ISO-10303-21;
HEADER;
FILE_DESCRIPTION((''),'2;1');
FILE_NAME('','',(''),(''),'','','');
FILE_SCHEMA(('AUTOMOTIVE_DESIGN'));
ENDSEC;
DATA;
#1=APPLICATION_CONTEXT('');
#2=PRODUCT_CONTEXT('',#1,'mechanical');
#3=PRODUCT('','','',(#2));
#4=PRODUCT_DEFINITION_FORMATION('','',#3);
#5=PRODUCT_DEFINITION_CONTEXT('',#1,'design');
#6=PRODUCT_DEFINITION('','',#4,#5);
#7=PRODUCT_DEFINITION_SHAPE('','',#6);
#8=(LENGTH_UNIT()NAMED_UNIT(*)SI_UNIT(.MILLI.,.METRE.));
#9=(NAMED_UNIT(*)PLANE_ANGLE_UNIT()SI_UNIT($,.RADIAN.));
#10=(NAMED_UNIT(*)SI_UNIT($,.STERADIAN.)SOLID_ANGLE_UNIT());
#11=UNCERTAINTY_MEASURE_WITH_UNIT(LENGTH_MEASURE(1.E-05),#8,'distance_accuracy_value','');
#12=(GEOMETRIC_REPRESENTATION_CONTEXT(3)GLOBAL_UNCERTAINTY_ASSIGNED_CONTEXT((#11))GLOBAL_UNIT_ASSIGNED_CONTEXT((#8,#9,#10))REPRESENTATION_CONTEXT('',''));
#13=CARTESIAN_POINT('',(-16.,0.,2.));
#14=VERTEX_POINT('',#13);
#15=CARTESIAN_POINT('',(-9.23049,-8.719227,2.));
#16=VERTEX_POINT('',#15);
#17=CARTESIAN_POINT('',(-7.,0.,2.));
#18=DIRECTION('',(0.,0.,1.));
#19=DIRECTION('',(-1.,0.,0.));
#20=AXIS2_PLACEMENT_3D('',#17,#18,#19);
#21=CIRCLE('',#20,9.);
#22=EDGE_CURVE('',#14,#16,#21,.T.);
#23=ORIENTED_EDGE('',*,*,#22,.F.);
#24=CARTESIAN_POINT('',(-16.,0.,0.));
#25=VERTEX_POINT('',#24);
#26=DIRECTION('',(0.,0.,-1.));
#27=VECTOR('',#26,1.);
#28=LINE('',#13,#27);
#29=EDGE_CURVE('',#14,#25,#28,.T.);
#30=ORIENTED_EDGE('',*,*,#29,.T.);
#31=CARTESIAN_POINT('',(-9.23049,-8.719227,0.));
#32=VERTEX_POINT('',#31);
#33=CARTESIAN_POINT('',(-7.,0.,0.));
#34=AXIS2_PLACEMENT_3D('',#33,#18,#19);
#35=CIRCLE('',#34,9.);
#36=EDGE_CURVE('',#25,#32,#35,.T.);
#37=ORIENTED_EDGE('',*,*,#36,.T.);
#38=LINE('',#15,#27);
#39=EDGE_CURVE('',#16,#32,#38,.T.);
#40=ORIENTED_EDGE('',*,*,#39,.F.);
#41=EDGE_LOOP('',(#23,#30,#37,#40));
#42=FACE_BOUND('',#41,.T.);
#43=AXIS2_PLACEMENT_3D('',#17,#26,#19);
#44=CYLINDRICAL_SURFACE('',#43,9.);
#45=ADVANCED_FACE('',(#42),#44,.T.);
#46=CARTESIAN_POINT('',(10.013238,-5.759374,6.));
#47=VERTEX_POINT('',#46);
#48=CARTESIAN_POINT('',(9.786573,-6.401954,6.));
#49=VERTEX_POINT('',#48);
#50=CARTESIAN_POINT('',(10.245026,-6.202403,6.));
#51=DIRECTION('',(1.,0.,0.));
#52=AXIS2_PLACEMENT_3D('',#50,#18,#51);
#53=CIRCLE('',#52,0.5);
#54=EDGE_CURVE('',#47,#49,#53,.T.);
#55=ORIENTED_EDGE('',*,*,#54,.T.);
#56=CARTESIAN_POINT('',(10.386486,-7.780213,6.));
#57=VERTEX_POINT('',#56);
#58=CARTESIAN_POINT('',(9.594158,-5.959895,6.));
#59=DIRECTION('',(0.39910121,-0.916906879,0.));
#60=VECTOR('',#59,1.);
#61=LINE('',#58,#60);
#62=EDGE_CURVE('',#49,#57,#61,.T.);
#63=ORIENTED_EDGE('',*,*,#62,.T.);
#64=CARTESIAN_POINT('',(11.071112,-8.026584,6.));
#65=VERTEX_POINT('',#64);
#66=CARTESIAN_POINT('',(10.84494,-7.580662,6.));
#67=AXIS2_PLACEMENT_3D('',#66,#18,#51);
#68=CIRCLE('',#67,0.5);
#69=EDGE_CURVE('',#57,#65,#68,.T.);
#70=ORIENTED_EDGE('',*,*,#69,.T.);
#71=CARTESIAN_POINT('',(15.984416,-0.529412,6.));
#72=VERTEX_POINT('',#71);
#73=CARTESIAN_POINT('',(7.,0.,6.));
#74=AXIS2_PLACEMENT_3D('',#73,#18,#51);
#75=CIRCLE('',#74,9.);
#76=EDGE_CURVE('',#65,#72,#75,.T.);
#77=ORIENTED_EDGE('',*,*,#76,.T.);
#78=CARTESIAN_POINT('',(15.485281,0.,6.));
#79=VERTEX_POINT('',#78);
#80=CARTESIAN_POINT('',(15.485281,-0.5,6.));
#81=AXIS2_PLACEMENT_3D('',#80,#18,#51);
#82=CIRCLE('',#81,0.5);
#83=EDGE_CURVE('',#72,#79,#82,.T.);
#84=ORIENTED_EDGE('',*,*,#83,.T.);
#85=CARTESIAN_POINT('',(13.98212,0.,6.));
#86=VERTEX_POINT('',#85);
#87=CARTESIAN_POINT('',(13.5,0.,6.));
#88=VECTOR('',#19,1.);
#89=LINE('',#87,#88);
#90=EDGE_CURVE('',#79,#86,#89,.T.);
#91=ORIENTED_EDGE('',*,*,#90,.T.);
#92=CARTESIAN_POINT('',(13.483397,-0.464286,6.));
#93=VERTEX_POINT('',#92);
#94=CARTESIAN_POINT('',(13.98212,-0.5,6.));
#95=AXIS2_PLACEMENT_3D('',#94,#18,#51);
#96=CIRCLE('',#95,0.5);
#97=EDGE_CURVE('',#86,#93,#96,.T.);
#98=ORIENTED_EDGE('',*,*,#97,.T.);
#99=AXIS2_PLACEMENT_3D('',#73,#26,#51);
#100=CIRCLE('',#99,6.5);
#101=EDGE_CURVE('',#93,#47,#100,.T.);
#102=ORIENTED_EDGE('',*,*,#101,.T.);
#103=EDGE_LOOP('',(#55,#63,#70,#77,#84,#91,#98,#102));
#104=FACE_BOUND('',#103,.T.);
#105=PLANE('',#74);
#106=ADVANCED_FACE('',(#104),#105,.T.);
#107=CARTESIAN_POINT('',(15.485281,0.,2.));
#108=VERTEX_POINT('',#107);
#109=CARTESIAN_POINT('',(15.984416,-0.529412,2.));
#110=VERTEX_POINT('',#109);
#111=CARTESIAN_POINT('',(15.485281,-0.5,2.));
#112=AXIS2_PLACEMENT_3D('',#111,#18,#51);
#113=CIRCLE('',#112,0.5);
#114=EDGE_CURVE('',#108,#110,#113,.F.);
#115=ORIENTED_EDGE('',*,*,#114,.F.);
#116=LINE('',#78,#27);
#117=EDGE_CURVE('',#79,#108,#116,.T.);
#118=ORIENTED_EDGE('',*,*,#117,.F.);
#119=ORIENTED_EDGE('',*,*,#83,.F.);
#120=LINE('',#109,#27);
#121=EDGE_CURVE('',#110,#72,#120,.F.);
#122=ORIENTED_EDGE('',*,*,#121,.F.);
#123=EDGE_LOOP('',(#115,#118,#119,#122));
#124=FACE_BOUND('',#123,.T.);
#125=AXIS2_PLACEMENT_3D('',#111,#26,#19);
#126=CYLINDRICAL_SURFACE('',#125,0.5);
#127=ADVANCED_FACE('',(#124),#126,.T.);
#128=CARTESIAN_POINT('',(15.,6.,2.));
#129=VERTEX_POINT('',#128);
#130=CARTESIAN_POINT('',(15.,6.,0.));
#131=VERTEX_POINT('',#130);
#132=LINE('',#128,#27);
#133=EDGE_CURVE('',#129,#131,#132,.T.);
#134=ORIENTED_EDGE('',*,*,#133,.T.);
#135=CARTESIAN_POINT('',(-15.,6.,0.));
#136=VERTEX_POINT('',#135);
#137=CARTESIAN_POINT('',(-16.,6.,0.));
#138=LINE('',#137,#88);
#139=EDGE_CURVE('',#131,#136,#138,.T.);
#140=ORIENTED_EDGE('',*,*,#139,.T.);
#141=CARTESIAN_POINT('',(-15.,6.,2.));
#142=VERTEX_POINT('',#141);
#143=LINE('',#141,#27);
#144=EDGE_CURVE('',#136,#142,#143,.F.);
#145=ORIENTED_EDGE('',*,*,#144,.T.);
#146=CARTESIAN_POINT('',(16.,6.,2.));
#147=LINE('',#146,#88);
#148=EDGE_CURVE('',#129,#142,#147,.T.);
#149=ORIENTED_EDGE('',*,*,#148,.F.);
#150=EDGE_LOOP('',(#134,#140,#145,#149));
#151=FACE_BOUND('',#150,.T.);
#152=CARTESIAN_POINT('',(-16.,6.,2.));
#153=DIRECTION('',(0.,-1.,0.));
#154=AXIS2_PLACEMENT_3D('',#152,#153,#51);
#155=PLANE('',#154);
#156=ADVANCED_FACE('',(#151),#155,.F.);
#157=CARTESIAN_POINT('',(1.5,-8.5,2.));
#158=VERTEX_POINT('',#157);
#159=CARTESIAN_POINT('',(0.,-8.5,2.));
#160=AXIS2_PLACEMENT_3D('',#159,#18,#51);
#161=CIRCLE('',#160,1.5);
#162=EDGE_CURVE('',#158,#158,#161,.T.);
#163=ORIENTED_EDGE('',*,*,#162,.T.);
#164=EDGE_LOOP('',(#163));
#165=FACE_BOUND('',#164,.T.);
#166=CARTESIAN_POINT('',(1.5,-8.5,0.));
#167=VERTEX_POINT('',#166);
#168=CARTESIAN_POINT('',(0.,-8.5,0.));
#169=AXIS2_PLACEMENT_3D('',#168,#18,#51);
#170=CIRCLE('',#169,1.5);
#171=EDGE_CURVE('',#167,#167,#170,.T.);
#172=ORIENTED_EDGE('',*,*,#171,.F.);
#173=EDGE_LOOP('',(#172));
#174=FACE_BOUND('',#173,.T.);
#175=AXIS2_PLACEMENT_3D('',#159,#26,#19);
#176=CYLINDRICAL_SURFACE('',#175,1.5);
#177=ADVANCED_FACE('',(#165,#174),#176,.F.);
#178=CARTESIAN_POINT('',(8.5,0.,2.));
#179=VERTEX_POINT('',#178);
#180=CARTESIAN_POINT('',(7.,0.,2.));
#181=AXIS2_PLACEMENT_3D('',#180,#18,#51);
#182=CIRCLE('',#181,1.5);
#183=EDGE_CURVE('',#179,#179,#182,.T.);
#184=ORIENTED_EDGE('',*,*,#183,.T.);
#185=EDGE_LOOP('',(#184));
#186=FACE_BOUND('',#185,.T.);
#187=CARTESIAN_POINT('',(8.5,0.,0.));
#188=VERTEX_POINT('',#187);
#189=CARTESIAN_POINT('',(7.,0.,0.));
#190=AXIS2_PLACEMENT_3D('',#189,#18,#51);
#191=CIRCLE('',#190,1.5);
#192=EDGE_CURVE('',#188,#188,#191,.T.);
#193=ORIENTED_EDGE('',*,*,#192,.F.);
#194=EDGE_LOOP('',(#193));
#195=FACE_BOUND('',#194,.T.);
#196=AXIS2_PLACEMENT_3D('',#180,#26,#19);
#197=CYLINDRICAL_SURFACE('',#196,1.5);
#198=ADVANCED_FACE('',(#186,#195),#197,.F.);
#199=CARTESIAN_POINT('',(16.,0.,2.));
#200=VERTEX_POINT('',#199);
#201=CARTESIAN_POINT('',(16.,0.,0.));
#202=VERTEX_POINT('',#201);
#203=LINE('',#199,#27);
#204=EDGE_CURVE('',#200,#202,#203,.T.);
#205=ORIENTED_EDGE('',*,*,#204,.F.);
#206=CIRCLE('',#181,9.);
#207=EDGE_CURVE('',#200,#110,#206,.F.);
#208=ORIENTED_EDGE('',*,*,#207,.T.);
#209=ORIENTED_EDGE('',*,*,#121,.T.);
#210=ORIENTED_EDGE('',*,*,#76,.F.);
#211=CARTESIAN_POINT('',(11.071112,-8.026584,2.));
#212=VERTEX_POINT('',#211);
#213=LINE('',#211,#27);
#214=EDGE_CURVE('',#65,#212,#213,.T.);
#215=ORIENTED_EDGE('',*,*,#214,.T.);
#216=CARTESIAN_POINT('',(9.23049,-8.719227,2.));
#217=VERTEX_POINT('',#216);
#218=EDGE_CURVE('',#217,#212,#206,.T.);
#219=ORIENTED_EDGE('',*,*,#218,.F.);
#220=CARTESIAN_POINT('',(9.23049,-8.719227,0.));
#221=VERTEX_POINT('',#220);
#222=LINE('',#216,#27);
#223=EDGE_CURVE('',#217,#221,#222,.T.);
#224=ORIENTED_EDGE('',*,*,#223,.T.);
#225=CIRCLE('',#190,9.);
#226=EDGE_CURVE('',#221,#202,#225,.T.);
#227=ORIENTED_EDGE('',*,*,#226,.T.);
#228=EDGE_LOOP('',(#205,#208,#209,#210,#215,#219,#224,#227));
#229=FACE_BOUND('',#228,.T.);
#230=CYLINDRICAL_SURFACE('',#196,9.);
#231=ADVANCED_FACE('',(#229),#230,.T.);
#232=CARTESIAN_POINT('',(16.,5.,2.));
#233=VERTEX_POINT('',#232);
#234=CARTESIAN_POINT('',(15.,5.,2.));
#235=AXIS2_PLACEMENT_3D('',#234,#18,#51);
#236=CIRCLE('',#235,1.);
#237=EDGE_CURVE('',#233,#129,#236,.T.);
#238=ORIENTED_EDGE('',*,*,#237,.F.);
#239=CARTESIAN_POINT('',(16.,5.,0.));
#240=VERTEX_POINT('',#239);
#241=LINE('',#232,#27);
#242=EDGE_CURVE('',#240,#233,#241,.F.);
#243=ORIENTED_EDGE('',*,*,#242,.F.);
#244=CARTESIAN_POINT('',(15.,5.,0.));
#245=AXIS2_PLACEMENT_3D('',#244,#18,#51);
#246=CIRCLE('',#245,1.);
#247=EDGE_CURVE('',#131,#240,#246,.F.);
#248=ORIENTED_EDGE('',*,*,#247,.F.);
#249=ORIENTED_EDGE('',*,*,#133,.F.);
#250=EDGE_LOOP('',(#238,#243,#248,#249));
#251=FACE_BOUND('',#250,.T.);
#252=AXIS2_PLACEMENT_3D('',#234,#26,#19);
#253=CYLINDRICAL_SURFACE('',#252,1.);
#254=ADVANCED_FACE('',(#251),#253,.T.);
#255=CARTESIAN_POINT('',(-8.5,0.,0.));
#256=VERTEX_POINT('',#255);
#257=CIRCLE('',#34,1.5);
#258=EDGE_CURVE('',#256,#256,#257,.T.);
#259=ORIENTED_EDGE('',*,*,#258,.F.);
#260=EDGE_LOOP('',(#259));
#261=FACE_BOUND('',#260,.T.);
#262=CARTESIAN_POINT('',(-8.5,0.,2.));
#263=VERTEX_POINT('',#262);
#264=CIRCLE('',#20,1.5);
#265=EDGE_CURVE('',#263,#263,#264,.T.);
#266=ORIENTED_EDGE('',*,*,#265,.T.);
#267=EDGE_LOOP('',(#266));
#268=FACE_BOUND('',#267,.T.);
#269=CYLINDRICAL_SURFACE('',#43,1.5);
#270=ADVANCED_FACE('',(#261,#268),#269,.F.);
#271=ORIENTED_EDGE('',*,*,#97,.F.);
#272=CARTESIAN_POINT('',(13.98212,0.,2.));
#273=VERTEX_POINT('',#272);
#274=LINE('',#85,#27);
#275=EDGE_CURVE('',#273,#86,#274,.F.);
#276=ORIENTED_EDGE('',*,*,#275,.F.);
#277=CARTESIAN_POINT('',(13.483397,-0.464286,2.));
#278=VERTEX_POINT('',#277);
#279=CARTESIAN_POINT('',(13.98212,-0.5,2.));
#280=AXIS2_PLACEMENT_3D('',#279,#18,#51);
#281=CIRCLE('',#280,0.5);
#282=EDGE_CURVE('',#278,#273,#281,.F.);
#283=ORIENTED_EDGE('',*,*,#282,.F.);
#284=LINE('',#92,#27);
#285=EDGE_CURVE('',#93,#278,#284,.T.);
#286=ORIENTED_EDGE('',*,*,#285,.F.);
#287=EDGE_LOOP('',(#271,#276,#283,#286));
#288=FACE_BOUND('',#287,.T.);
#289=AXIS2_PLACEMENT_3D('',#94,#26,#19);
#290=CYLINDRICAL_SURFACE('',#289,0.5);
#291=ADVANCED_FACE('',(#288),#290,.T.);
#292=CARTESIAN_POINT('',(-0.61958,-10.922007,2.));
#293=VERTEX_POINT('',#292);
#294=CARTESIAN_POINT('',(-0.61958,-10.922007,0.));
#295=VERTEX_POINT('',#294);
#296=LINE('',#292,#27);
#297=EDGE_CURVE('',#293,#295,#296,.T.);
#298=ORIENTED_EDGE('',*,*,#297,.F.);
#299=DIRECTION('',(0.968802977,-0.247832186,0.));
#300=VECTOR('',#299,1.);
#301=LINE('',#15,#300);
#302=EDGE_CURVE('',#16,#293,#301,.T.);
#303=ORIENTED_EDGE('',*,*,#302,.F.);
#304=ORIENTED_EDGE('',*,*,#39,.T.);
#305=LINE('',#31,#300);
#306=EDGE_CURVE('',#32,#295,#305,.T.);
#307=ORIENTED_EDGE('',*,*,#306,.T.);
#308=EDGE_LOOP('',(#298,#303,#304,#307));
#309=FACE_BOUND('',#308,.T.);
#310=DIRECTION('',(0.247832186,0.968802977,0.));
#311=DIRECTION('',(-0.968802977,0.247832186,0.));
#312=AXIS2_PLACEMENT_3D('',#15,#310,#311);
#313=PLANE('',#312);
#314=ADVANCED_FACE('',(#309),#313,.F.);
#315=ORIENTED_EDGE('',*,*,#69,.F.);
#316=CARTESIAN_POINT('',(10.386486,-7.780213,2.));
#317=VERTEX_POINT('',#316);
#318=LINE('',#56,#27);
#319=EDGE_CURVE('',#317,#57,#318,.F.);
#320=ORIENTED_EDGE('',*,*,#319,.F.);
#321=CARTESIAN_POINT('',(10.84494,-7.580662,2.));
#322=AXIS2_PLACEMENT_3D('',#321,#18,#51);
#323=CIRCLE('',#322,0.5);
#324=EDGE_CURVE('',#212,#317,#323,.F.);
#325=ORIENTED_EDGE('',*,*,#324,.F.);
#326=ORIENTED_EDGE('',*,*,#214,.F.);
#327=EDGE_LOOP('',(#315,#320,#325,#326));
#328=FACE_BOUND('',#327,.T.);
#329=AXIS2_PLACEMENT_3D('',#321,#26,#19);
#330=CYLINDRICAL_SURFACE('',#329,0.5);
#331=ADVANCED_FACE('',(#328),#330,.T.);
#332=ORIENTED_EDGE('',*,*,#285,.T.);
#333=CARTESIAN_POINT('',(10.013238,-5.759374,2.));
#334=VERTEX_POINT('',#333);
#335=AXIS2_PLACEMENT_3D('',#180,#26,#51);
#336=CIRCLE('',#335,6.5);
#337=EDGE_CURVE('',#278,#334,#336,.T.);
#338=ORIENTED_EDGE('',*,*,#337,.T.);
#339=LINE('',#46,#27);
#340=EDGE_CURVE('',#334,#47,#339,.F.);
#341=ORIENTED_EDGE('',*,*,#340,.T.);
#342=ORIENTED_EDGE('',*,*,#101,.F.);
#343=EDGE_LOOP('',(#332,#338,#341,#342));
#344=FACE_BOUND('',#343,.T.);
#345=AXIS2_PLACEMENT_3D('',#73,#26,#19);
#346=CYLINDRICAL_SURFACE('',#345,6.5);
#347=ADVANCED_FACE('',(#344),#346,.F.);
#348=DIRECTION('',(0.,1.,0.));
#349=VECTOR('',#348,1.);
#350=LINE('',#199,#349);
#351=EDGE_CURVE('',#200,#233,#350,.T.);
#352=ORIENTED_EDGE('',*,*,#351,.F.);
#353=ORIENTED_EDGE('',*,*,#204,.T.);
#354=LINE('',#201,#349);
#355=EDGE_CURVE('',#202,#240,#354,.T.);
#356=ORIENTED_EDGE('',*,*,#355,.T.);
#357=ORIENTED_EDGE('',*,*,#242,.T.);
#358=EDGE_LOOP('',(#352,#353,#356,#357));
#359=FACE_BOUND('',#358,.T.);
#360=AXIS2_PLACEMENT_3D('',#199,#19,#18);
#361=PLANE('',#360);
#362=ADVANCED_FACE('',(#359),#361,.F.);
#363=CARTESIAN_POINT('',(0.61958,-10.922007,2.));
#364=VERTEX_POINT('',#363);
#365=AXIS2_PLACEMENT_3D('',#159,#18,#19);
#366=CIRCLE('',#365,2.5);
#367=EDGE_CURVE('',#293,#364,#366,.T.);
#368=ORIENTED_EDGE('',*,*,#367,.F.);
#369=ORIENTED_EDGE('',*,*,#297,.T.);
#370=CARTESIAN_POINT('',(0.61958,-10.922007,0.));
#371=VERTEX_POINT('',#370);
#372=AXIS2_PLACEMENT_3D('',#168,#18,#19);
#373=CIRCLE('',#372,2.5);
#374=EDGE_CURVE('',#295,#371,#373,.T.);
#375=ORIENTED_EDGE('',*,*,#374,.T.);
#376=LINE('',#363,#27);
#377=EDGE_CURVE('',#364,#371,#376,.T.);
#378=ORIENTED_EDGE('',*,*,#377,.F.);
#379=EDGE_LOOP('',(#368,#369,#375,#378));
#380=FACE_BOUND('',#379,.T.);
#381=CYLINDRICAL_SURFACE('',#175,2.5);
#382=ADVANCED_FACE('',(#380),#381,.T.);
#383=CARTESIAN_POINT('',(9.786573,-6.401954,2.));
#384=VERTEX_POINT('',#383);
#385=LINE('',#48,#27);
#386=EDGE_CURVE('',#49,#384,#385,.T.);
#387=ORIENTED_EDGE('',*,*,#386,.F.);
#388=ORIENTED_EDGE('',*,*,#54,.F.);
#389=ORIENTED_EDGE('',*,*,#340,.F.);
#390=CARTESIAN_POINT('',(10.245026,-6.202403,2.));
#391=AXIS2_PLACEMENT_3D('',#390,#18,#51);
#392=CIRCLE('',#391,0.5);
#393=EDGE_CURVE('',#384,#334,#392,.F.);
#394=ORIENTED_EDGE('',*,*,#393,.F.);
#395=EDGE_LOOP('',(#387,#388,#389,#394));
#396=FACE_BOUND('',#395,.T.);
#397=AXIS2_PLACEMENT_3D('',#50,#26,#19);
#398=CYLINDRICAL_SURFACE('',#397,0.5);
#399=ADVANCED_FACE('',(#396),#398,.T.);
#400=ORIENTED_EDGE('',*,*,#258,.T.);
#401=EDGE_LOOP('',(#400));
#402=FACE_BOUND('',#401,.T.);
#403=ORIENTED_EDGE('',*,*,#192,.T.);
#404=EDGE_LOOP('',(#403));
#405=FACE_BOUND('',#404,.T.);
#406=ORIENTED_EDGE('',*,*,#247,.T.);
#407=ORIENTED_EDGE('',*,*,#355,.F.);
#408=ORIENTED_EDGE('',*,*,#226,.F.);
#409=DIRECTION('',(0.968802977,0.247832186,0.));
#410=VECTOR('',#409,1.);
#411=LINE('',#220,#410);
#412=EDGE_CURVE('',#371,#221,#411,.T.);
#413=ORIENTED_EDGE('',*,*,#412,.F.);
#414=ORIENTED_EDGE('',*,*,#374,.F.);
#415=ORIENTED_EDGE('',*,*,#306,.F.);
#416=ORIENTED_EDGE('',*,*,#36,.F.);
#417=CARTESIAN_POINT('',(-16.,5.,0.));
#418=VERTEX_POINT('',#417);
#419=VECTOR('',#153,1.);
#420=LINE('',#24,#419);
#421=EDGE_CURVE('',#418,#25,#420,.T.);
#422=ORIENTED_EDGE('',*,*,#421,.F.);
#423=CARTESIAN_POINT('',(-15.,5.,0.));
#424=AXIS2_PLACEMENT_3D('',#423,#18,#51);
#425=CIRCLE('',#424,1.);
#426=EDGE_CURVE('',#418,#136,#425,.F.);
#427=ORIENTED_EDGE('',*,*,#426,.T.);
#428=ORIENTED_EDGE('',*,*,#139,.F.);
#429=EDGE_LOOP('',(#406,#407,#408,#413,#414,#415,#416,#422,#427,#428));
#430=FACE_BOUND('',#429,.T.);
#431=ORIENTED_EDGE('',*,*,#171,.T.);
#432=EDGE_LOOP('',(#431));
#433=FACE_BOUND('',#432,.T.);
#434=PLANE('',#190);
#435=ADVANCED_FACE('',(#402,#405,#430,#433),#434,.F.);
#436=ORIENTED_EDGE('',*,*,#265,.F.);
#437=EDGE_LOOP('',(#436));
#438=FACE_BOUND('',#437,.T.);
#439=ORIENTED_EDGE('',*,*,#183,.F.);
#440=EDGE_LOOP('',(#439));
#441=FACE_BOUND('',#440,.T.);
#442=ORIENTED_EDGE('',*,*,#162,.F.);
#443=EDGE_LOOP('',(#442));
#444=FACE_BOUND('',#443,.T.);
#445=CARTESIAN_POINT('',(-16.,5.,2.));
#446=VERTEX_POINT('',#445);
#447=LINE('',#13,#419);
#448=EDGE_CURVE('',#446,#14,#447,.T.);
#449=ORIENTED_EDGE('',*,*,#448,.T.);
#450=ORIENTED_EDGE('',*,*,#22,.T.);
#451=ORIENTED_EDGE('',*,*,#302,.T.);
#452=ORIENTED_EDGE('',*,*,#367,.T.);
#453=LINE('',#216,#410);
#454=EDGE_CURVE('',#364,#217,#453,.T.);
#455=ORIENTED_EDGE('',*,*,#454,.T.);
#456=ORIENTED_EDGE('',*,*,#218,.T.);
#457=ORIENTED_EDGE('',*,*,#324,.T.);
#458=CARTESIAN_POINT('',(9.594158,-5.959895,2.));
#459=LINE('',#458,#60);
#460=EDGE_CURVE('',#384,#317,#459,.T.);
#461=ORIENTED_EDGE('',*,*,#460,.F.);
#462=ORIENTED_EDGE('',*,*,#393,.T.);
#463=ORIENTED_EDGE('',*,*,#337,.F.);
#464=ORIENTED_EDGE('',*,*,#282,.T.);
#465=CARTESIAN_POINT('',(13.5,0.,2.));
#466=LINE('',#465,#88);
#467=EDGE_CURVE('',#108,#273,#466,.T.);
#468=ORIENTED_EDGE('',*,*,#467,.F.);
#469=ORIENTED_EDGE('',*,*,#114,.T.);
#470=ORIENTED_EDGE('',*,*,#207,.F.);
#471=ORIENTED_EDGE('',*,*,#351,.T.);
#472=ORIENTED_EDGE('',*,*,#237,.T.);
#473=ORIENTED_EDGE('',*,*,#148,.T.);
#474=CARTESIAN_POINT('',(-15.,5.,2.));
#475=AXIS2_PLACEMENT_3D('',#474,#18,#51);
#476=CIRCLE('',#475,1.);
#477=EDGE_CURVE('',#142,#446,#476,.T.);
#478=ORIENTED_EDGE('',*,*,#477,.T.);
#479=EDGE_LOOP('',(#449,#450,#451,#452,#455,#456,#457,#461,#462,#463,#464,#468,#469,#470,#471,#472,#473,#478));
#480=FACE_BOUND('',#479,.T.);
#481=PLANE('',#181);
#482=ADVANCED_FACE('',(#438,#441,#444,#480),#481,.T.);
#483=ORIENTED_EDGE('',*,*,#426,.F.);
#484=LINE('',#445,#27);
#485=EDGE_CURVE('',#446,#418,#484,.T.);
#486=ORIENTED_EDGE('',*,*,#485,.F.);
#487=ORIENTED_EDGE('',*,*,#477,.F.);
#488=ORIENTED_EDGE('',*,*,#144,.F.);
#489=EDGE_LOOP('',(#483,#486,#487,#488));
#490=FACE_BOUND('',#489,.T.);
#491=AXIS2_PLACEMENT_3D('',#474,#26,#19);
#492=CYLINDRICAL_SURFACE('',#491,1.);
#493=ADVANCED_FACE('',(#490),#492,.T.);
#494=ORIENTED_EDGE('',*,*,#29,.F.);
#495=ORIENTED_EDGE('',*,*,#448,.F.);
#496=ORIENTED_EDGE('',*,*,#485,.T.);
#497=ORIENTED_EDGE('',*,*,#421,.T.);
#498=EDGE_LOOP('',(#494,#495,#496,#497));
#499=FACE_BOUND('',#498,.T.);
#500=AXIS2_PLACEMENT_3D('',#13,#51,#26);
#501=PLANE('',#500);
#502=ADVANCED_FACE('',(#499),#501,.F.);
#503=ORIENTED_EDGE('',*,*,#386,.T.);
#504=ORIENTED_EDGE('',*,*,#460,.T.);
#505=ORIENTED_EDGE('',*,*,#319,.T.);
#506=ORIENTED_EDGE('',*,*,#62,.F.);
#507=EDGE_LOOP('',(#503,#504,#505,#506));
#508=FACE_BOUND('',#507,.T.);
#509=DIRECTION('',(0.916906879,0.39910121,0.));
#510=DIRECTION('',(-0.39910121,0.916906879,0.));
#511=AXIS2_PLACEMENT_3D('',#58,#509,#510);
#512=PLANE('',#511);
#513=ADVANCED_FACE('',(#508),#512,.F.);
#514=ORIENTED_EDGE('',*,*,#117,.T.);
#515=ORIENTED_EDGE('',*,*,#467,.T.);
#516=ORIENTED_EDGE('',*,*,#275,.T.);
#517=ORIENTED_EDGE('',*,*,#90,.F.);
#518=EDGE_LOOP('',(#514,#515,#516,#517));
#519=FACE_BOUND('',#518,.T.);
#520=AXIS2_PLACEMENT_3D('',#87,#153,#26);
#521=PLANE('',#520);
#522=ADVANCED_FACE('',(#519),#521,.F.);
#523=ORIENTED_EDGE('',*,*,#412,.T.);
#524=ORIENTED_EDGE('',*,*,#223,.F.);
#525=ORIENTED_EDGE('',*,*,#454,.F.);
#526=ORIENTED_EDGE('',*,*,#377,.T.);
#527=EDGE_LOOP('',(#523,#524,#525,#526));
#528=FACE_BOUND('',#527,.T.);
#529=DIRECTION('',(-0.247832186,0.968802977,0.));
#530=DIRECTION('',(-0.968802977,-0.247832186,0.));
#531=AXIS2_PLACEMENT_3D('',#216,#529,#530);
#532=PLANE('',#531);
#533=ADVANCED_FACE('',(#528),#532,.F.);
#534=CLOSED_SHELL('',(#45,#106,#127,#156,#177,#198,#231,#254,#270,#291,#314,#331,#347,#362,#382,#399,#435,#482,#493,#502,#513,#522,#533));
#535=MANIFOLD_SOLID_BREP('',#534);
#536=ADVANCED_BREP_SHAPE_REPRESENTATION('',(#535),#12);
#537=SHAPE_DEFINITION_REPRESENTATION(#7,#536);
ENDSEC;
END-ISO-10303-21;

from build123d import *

# Parameters (mm, degrees)
SKETCH_2_R      = 1.5
EXTRUDE_1_DEPTH = 2
EXTRUDE_2_DEPTH = 4
FILLET_1_R      = 1
FILLET_4_R      = 0.5


with BuildPart() as part:
    # 草图2 → 凸台-拉伸1 (new body)
    with BuildSketch(Plane.XY):
        with BuildLine():
            Line((7, 6), (-7, 6))
            Line((-7, 6), (-16, 6))
            Line((-16, 6), (-16, 0))
            ThreePointArc((-16, 0), (-14.108952351, -5.519311231), (-9.230489674, -8.71922679))
            Line((-9.230489674, -8.71922679), (-0.619580465, -10.922007442))
            ThreePointArc((-0.619580465, -10.922007442), (0, -11), (0.619580465, -10.922007442))
            Line((0.619580465, -10.922007442), (9.230489674, -8.71922679))
            ThreePointArc((9.230489674, -8.71922679), (14.108952351, -5.519311231), (16, 0))
            Line((16, 0), (16, 6))
            Line((16, 6), (7, 6))
        make_face()
        with Locations((0, -8.5)):
            Circle(SKETCH_2_R, mode=Mode.SUBTRACT)
        with Locations((7, 0)):
            Circle(SKETCH_2_R, mode=Mode.SUBTRACT)
        with Locations(Location((-7, 0, 0), (0, 0, 180))):
            Circle(SKETCH_2_R, mode=Mode.SUBTRACT)
    extrude(amount=EXTRUDE_1_DEPTH)

    # 草图3 → 凸台-拉伸2 (add)
    with BuildSketch(Plane.XY.offset(2)):
        with BuildLine():
            Line((13.5, 0), (16, 0))
            ThreePointArc((16, 0), (14.527522767, -4.933193793), (10.591910889, -8.252161909))
            Line((10.591910889, -8.252161909), (9.594157864, -5.959894712))
            ThreePointArc((9.594157864, -5.959894712), (12.43654422, -3.562862184), (13.5, 0))
        make_face()
    extrude(amount=EXTRUDE_2_DEPTH)

    # 圆角1
    fillet_1_edges = [part.edges().sort_by_distance(p)[0] for p in [
        (-16, 6, 1),
        (16, 6, 1),
    ]]
    fillet(fillet_1_edges, radius=FILLET_1_R)

    # 圆角4
    fillet_4_edges = [part.edges().sort_by_distance(p)[0] for p in [
        (10.591910889, -8.252161909, 4),
        (16, 0, 4),
        (13.5, 0, 4),
        (9.594157864, -5.959894712, 4),
    ]]
    fillet(fillet_4_edges, radius=FILLET_4_R)


solid = part.part
